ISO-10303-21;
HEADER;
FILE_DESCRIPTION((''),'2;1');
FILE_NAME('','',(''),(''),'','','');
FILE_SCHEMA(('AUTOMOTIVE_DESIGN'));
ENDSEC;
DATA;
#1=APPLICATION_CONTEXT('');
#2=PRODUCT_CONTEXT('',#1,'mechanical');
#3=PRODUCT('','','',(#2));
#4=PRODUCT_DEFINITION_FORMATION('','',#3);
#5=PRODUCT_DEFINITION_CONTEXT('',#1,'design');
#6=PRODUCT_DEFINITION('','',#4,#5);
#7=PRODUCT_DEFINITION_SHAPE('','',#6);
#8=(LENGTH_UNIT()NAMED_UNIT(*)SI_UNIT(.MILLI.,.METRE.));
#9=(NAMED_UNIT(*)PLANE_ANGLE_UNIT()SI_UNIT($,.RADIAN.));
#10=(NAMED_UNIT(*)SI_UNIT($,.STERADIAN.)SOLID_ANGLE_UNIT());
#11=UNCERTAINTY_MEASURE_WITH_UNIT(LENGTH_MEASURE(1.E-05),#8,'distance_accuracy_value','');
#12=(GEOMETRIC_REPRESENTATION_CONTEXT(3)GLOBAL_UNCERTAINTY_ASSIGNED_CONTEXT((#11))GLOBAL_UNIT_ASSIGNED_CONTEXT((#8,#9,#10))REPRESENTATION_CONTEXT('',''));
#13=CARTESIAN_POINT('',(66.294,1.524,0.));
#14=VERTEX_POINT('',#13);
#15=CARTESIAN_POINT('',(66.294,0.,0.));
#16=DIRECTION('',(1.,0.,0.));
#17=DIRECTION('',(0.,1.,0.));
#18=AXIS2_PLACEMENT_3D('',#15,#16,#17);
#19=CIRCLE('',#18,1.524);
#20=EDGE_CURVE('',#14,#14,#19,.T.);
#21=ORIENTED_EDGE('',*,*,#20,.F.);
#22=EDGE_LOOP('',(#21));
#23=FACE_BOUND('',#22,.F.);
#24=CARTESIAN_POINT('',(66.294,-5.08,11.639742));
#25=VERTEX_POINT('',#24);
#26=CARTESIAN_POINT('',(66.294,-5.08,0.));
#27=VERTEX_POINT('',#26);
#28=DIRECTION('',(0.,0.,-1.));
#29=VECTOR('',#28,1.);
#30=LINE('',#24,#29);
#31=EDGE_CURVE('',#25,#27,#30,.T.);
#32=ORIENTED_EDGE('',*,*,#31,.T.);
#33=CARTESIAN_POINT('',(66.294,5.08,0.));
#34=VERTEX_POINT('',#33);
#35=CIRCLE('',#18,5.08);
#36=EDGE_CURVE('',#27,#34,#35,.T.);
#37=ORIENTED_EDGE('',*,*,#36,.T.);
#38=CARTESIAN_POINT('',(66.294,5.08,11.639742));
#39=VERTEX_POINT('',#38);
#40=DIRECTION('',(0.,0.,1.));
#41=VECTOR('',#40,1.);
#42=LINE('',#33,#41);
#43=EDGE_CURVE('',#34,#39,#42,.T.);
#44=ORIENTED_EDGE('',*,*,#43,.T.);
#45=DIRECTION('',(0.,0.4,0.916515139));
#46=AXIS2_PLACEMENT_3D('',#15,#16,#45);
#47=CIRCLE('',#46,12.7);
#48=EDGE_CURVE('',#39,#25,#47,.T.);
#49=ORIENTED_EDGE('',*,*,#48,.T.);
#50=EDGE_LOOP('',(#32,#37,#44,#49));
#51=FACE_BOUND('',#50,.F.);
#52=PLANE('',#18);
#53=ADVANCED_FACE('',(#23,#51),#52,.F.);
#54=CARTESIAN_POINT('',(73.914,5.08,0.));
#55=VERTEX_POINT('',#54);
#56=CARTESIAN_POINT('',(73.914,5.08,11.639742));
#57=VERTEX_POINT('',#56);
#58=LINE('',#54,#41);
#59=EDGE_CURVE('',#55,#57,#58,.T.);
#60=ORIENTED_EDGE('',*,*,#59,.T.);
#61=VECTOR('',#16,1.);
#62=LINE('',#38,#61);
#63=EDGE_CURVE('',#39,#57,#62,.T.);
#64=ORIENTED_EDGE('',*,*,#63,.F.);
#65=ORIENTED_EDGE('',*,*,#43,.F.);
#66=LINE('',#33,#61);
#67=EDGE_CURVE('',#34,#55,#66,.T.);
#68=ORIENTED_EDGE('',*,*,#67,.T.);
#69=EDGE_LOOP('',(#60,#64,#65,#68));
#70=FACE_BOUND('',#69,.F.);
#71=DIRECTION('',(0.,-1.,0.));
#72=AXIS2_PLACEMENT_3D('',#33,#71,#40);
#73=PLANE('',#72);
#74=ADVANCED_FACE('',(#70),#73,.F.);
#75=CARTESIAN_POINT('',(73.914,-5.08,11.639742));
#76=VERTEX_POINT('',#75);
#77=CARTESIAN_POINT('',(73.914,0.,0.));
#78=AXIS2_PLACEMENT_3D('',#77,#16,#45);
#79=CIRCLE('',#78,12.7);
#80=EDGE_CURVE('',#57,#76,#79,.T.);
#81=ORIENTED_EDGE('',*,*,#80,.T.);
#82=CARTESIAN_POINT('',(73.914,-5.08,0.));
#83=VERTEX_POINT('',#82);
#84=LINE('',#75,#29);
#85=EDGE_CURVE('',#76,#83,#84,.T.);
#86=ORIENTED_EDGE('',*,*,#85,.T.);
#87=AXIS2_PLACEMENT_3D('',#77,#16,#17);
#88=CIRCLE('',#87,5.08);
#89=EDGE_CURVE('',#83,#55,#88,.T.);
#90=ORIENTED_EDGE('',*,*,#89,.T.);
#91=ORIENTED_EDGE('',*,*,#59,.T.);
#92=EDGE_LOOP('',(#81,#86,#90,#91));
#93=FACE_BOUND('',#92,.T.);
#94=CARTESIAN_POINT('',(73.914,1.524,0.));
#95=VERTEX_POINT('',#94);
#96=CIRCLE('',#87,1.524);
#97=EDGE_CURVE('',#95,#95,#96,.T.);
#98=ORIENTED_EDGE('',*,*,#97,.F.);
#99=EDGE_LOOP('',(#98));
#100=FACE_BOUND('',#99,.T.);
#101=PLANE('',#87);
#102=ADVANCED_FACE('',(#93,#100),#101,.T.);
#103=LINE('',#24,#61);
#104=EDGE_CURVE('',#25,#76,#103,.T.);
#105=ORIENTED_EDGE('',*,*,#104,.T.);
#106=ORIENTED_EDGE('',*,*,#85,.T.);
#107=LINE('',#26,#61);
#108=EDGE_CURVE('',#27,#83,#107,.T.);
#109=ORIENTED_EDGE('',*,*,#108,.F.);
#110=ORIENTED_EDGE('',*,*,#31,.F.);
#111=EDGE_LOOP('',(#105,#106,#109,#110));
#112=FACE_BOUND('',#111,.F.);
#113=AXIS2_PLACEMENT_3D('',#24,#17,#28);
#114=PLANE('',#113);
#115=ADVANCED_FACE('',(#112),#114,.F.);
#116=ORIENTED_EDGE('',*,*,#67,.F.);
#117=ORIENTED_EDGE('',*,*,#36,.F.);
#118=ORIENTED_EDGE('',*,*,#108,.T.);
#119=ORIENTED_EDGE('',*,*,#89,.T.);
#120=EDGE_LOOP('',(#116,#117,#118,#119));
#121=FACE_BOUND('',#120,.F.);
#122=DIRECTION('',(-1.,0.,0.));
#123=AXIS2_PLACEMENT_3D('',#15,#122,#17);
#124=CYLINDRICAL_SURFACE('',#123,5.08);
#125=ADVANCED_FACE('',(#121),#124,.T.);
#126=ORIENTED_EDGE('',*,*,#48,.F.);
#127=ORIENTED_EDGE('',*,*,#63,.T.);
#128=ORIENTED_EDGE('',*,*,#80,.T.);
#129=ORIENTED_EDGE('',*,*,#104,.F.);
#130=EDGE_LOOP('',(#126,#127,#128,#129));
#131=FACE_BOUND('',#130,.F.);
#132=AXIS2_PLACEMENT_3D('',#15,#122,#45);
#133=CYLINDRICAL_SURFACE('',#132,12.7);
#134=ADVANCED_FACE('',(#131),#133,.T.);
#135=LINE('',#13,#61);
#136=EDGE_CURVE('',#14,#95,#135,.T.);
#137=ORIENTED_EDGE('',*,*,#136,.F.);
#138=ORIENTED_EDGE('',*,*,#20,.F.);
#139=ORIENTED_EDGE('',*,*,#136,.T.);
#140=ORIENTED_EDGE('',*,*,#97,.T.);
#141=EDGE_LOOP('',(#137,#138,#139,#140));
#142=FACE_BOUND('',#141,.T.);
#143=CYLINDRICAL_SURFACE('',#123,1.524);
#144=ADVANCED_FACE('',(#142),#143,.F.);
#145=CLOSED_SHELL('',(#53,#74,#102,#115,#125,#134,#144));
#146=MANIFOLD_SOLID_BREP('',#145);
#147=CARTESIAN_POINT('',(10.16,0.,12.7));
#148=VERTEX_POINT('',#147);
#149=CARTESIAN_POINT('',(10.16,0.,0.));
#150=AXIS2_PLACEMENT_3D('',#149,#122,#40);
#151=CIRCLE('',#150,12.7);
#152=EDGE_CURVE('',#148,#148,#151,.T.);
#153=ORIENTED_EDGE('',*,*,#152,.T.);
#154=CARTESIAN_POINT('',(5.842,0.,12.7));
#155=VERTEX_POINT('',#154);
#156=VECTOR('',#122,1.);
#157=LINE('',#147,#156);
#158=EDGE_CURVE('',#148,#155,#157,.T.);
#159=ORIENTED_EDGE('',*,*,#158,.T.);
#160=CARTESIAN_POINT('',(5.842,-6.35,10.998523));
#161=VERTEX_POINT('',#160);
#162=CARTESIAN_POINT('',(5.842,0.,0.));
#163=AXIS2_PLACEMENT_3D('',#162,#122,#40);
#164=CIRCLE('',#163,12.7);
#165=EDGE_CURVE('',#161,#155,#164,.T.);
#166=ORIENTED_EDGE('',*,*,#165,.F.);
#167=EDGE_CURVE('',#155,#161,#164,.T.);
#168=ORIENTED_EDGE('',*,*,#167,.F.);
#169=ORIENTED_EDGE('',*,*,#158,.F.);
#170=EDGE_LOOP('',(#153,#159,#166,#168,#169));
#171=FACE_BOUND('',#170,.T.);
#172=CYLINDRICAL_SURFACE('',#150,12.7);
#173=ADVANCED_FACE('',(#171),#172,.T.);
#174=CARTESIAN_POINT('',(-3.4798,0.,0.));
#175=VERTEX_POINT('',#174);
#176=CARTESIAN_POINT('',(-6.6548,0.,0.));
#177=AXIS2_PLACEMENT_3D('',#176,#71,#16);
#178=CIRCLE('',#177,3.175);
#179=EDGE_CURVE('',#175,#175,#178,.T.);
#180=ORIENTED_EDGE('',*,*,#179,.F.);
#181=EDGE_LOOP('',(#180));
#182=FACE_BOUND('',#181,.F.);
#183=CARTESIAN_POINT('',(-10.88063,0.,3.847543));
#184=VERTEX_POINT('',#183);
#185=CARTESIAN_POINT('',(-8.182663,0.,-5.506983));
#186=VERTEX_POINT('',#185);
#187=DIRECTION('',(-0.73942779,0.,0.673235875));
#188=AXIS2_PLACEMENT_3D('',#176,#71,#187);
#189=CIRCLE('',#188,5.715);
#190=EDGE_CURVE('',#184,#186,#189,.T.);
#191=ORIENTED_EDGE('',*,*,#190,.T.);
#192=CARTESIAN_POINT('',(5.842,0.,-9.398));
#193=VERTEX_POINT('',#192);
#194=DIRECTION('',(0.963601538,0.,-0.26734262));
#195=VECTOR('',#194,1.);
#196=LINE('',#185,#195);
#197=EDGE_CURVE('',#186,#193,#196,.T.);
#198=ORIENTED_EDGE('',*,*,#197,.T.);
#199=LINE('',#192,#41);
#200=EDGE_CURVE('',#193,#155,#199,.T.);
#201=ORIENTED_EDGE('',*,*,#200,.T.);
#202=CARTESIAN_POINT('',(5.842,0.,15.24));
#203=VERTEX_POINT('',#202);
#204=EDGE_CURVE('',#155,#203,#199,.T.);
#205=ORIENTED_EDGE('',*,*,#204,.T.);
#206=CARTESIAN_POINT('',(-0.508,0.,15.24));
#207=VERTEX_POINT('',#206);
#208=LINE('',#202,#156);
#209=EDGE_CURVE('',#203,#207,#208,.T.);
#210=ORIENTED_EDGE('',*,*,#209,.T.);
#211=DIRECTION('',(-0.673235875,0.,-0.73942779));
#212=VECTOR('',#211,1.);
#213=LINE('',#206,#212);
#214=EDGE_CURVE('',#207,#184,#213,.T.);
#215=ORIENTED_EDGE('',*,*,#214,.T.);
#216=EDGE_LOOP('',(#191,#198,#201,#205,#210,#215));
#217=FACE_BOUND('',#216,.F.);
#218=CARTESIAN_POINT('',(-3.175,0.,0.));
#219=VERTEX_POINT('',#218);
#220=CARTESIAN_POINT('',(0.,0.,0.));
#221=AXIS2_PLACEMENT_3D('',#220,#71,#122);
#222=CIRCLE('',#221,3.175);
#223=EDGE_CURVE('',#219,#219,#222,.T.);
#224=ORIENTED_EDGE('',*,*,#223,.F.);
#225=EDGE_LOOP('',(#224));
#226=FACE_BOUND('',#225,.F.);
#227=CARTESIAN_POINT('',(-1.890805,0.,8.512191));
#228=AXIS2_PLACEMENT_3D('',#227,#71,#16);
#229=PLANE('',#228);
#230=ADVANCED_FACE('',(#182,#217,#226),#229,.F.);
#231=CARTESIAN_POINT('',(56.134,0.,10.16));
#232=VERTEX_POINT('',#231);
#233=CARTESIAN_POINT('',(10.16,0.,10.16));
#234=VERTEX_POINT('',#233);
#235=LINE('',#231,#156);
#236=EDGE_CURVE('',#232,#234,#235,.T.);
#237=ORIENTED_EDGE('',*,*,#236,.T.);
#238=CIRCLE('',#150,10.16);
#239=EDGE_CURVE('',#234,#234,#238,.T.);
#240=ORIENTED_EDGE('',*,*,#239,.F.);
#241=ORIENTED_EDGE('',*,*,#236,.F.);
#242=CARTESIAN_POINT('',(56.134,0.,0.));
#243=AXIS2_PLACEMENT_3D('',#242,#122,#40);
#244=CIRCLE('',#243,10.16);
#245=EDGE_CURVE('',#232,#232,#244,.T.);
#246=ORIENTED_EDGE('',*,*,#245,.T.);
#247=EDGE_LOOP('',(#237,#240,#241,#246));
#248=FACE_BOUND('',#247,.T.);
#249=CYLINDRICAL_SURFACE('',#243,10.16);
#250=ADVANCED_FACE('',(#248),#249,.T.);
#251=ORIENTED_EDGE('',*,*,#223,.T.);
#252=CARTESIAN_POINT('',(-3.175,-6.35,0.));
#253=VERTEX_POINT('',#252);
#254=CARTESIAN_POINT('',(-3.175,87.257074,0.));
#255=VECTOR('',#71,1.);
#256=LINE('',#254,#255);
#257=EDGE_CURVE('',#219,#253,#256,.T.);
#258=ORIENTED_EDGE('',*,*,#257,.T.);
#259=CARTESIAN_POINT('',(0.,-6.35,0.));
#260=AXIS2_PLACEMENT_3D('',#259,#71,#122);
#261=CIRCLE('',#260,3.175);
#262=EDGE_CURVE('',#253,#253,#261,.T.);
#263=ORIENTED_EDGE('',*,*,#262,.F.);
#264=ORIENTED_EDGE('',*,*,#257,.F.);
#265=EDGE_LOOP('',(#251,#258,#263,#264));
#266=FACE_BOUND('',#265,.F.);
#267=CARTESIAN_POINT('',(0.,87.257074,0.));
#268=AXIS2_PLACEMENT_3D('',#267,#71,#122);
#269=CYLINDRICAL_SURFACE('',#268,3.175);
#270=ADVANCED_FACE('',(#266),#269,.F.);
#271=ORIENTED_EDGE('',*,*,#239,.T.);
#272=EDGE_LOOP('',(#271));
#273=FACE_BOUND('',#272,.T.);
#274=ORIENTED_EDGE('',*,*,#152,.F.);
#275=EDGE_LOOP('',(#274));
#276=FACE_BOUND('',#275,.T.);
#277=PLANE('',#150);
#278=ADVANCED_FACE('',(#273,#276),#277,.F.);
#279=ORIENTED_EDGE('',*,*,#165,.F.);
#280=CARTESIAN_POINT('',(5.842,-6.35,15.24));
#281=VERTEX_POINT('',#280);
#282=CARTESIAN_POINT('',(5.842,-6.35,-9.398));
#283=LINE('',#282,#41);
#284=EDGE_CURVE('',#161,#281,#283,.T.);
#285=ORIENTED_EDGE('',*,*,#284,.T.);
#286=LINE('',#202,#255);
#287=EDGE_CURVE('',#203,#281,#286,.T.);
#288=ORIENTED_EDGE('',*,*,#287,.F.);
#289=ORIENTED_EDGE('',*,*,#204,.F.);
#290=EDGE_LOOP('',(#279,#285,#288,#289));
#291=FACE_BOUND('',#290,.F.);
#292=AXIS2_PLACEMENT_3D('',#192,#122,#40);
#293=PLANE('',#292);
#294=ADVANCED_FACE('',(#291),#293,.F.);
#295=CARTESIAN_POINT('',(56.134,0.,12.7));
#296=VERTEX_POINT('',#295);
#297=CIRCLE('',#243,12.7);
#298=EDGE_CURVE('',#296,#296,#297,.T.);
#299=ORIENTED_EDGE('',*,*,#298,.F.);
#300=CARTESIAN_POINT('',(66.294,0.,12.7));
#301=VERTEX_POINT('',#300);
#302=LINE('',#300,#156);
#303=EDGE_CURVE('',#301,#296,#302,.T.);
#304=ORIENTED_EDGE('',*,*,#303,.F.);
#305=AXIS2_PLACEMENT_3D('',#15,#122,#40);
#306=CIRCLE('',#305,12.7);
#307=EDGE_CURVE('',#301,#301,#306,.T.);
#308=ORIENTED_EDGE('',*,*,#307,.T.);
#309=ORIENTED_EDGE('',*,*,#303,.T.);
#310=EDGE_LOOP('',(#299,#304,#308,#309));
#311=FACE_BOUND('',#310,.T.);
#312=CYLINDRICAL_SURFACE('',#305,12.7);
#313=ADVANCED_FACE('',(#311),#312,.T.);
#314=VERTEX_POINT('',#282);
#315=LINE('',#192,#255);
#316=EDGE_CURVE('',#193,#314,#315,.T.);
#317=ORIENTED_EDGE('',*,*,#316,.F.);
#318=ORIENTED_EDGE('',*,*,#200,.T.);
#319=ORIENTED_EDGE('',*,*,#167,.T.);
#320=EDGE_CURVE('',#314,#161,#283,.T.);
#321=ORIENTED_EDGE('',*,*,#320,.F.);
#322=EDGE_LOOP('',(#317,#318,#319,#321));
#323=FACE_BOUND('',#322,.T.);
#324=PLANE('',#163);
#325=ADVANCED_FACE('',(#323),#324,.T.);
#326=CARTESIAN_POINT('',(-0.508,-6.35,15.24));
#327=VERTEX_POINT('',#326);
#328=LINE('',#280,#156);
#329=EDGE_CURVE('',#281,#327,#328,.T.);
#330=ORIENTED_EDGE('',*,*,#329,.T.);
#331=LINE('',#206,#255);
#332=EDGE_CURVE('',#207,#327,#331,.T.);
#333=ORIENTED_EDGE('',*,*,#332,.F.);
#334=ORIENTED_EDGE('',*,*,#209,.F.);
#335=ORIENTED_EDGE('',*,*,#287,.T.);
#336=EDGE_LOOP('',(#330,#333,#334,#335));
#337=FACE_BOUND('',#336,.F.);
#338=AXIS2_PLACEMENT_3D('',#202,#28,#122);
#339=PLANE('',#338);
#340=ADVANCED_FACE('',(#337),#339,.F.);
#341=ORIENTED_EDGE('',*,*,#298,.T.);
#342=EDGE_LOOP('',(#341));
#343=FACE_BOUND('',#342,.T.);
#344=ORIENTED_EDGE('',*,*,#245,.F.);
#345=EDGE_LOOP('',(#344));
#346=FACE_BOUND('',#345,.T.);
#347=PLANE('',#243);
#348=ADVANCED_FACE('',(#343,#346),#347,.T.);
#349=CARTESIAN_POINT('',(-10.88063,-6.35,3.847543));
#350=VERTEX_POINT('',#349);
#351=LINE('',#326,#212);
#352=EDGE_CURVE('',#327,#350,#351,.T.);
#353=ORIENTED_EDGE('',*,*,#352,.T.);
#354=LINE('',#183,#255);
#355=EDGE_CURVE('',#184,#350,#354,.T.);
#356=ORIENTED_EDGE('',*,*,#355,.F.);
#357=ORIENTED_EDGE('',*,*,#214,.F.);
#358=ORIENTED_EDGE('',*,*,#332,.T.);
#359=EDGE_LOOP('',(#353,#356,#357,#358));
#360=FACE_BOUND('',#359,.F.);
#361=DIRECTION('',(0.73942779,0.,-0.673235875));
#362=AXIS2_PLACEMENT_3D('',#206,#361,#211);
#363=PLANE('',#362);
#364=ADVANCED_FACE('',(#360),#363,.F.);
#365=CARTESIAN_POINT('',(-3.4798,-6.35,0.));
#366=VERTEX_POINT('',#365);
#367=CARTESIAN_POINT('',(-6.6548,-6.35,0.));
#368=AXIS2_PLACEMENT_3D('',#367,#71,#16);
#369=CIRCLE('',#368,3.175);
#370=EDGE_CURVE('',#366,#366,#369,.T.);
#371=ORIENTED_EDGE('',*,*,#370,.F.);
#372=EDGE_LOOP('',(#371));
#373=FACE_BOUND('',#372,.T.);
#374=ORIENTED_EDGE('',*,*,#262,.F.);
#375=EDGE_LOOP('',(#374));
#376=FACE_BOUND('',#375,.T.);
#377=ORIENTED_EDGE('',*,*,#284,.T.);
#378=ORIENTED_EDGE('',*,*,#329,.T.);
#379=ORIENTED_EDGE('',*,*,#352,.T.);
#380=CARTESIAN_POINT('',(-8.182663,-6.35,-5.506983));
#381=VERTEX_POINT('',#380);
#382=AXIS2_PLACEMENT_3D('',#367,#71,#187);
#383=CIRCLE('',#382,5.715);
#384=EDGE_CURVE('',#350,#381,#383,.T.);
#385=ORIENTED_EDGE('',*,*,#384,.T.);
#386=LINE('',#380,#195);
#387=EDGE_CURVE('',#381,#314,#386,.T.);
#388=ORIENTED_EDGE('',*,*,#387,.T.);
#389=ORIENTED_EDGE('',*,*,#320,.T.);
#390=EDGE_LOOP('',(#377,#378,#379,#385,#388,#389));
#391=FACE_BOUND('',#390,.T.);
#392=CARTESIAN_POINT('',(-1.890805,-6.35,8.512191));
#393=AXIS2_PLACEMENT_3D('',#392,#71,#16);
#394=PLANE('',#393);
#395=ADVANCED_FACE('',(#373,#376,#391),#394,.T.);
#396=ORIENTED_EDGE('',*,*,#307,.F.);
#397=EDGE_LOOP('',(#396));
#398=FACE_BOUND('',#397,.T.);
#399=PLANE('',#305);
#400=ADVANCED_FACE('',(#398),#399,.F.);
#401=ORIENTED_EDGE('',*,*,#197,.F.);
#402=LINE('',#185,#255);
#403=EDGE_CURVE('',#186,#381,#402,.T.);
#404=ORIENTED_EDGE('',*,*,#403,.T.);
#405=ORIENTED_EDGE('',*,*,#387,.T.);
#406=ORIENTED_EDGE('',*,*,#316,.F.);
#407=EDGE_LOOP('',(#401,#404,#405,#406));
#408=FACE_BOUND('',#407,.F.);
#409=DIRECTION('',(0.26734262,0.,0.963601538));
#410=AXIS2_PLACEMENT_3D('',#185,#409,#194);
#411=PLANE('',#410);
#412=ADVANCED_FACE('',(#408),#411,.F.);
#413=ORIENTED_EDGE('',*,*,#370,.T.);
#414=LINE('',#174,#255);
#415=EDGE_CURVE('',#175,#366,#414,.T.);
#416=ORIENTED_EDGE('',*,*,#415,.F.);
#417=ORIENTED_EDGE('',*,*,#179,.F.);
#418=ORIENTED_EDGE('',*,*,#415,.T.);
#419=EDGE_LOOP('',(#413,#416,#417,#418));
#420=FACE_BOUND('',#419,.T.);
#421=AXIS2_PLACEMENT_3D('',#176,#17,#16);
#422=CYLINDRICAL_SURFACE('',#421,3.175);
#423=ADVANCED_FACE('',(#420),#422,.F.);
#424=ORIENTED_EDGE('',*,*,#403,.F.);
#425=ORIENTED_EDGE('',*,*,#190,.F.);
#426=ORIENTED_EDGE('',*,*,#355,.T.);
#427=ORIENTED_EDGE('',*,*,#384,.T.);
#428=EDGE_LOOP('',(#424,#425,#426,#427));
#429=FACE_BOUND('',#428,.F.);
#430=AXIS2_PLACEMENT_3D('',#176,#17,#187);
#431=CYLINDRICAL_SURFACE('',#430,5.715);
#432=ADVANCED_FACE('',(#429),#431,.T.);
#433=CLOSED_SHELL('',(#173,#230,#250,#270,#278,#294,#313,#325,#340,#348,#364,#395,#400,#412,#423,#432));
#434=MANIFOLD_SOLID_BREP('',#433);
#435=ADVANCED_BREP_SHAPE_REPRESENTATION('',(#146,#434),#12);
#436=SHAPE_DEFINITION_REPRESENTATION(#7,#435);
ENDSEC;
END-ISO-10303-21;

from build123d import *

# Parameters (mm, degrees)
F0_R     = 3.175
F0_W     = 5.842
F0_H     = 12.7
F2_DEPTH = 6.35
F3_R     = 1.524
F4_DEPTH = 7.62
F5_D     = 6.35


with BuildPart() as f1:
    # F0 (on Front) → F1 (revolve)
    with BuildSketch(Plane.XZ):
        Polygon((5.842, 12.7), (5.842, 0), (66.294, 0), (66.294, 12.7), (56.134, 12.7), (56.134, 10.16), (10.16, 10.16), (10.16, 12.7), align=None)
    revolve(axis=Axis((33.147, 0, 0), (-1, 0, 0)))

    # F0 (on Front) → F2 (join)
    with BuildSketch(Plane.XZ):
        with BuildLine():
            Line((-0.9398, 0), (0, 0))
            Line((0, 0), (0, 12.7))
            Line((0, 12.7), (5.842, 12.7))
            Line((5.842, 12.7), (5.842, 15.24))
            Line((5.842, 15.24), (-0.508, 15.24))
            Line((-0.508, 15.24), (-10.8806298187, 3.8475430269))
            ThreePointArc((-10.8806298187, 3.8475430269), (-4.5919612295, 5.3297205562), (-0.9398, 0))
        make_face()
        with BuildLine():
            Line((5.842, 0), (0, 0))
            Line((0, 0), (-0.9398, 0))
            ThreePointArc((-0.9398, 0), (-3.1957909266, -4.5493385486), (-8.1826630726, -5.5069827884))
            Line((-8.1826630726, -5.5069827884), (5.842, -9.398))
            Line((5.842, -9.398), (5.842, 0))
        make_face()
        with BuildLine():
            ThreePointArc((-8.1826630726, -5.5069827884), (-3.1957909266, -4.5493385486), (-0.9398, 0))
            ThreePointArc((-0.9398, 0), (-4.5919612295, 5.3297205562), (-10.8806298187, 3.8475430269))
            ThreePointArc((-10.8806298187, 3.8475430269), (-12.1459778134, -1.5837270034), (-8.1826630726, -5.5069827884))
        make_face()
        with Locations((-6.6548, 0)):
            Circle(F0_R, mode=Mode.SUBTRACT)
        with Locations((2.921, 6.35)):
            Rectangle(F0_W, F0_H)
    extrude(amount=F2_DEPTH)

    # F5 (through all)
    with Locations(Plane(origin=(0, 0, 0), x_dir=(1, 0, 0), z_dir=(0, 1, 0))):
        with Locations((0, 0)):
            Hole(F5_D / 2)


with BuildPart() as f4:
    # F3 (on face) → F4 (new body)
    with BuildSketch(Plane.YZ.offset(66.294)):
        with BuildLine():
            ThreePointArc((-5.08, 0), (0, -5.08), (5.08, 0))
            ThreePointArc((5.08, 0), (0, 5.08), (-5.08, 0))
        make_face()
        Circle(F3_R, mode=Mode.SUBTRACT)
        with BuildLine():
            ThreePointArc((-5.08, 0), (0, 5.08), (5.08, 0))
            Line((5.08, 0), (5.08, 11.6397422652))
            ThreePointArc((5.08, 11.6397422652), (0, 12.7), (-5.08, 11.6397422652))
            Line((-5.08, 11.6397422652), (-5.08, 0))
        make_face()
    extrude(amount=F4_DEPTH)


solid = Compound([f1.part, f4.part])
